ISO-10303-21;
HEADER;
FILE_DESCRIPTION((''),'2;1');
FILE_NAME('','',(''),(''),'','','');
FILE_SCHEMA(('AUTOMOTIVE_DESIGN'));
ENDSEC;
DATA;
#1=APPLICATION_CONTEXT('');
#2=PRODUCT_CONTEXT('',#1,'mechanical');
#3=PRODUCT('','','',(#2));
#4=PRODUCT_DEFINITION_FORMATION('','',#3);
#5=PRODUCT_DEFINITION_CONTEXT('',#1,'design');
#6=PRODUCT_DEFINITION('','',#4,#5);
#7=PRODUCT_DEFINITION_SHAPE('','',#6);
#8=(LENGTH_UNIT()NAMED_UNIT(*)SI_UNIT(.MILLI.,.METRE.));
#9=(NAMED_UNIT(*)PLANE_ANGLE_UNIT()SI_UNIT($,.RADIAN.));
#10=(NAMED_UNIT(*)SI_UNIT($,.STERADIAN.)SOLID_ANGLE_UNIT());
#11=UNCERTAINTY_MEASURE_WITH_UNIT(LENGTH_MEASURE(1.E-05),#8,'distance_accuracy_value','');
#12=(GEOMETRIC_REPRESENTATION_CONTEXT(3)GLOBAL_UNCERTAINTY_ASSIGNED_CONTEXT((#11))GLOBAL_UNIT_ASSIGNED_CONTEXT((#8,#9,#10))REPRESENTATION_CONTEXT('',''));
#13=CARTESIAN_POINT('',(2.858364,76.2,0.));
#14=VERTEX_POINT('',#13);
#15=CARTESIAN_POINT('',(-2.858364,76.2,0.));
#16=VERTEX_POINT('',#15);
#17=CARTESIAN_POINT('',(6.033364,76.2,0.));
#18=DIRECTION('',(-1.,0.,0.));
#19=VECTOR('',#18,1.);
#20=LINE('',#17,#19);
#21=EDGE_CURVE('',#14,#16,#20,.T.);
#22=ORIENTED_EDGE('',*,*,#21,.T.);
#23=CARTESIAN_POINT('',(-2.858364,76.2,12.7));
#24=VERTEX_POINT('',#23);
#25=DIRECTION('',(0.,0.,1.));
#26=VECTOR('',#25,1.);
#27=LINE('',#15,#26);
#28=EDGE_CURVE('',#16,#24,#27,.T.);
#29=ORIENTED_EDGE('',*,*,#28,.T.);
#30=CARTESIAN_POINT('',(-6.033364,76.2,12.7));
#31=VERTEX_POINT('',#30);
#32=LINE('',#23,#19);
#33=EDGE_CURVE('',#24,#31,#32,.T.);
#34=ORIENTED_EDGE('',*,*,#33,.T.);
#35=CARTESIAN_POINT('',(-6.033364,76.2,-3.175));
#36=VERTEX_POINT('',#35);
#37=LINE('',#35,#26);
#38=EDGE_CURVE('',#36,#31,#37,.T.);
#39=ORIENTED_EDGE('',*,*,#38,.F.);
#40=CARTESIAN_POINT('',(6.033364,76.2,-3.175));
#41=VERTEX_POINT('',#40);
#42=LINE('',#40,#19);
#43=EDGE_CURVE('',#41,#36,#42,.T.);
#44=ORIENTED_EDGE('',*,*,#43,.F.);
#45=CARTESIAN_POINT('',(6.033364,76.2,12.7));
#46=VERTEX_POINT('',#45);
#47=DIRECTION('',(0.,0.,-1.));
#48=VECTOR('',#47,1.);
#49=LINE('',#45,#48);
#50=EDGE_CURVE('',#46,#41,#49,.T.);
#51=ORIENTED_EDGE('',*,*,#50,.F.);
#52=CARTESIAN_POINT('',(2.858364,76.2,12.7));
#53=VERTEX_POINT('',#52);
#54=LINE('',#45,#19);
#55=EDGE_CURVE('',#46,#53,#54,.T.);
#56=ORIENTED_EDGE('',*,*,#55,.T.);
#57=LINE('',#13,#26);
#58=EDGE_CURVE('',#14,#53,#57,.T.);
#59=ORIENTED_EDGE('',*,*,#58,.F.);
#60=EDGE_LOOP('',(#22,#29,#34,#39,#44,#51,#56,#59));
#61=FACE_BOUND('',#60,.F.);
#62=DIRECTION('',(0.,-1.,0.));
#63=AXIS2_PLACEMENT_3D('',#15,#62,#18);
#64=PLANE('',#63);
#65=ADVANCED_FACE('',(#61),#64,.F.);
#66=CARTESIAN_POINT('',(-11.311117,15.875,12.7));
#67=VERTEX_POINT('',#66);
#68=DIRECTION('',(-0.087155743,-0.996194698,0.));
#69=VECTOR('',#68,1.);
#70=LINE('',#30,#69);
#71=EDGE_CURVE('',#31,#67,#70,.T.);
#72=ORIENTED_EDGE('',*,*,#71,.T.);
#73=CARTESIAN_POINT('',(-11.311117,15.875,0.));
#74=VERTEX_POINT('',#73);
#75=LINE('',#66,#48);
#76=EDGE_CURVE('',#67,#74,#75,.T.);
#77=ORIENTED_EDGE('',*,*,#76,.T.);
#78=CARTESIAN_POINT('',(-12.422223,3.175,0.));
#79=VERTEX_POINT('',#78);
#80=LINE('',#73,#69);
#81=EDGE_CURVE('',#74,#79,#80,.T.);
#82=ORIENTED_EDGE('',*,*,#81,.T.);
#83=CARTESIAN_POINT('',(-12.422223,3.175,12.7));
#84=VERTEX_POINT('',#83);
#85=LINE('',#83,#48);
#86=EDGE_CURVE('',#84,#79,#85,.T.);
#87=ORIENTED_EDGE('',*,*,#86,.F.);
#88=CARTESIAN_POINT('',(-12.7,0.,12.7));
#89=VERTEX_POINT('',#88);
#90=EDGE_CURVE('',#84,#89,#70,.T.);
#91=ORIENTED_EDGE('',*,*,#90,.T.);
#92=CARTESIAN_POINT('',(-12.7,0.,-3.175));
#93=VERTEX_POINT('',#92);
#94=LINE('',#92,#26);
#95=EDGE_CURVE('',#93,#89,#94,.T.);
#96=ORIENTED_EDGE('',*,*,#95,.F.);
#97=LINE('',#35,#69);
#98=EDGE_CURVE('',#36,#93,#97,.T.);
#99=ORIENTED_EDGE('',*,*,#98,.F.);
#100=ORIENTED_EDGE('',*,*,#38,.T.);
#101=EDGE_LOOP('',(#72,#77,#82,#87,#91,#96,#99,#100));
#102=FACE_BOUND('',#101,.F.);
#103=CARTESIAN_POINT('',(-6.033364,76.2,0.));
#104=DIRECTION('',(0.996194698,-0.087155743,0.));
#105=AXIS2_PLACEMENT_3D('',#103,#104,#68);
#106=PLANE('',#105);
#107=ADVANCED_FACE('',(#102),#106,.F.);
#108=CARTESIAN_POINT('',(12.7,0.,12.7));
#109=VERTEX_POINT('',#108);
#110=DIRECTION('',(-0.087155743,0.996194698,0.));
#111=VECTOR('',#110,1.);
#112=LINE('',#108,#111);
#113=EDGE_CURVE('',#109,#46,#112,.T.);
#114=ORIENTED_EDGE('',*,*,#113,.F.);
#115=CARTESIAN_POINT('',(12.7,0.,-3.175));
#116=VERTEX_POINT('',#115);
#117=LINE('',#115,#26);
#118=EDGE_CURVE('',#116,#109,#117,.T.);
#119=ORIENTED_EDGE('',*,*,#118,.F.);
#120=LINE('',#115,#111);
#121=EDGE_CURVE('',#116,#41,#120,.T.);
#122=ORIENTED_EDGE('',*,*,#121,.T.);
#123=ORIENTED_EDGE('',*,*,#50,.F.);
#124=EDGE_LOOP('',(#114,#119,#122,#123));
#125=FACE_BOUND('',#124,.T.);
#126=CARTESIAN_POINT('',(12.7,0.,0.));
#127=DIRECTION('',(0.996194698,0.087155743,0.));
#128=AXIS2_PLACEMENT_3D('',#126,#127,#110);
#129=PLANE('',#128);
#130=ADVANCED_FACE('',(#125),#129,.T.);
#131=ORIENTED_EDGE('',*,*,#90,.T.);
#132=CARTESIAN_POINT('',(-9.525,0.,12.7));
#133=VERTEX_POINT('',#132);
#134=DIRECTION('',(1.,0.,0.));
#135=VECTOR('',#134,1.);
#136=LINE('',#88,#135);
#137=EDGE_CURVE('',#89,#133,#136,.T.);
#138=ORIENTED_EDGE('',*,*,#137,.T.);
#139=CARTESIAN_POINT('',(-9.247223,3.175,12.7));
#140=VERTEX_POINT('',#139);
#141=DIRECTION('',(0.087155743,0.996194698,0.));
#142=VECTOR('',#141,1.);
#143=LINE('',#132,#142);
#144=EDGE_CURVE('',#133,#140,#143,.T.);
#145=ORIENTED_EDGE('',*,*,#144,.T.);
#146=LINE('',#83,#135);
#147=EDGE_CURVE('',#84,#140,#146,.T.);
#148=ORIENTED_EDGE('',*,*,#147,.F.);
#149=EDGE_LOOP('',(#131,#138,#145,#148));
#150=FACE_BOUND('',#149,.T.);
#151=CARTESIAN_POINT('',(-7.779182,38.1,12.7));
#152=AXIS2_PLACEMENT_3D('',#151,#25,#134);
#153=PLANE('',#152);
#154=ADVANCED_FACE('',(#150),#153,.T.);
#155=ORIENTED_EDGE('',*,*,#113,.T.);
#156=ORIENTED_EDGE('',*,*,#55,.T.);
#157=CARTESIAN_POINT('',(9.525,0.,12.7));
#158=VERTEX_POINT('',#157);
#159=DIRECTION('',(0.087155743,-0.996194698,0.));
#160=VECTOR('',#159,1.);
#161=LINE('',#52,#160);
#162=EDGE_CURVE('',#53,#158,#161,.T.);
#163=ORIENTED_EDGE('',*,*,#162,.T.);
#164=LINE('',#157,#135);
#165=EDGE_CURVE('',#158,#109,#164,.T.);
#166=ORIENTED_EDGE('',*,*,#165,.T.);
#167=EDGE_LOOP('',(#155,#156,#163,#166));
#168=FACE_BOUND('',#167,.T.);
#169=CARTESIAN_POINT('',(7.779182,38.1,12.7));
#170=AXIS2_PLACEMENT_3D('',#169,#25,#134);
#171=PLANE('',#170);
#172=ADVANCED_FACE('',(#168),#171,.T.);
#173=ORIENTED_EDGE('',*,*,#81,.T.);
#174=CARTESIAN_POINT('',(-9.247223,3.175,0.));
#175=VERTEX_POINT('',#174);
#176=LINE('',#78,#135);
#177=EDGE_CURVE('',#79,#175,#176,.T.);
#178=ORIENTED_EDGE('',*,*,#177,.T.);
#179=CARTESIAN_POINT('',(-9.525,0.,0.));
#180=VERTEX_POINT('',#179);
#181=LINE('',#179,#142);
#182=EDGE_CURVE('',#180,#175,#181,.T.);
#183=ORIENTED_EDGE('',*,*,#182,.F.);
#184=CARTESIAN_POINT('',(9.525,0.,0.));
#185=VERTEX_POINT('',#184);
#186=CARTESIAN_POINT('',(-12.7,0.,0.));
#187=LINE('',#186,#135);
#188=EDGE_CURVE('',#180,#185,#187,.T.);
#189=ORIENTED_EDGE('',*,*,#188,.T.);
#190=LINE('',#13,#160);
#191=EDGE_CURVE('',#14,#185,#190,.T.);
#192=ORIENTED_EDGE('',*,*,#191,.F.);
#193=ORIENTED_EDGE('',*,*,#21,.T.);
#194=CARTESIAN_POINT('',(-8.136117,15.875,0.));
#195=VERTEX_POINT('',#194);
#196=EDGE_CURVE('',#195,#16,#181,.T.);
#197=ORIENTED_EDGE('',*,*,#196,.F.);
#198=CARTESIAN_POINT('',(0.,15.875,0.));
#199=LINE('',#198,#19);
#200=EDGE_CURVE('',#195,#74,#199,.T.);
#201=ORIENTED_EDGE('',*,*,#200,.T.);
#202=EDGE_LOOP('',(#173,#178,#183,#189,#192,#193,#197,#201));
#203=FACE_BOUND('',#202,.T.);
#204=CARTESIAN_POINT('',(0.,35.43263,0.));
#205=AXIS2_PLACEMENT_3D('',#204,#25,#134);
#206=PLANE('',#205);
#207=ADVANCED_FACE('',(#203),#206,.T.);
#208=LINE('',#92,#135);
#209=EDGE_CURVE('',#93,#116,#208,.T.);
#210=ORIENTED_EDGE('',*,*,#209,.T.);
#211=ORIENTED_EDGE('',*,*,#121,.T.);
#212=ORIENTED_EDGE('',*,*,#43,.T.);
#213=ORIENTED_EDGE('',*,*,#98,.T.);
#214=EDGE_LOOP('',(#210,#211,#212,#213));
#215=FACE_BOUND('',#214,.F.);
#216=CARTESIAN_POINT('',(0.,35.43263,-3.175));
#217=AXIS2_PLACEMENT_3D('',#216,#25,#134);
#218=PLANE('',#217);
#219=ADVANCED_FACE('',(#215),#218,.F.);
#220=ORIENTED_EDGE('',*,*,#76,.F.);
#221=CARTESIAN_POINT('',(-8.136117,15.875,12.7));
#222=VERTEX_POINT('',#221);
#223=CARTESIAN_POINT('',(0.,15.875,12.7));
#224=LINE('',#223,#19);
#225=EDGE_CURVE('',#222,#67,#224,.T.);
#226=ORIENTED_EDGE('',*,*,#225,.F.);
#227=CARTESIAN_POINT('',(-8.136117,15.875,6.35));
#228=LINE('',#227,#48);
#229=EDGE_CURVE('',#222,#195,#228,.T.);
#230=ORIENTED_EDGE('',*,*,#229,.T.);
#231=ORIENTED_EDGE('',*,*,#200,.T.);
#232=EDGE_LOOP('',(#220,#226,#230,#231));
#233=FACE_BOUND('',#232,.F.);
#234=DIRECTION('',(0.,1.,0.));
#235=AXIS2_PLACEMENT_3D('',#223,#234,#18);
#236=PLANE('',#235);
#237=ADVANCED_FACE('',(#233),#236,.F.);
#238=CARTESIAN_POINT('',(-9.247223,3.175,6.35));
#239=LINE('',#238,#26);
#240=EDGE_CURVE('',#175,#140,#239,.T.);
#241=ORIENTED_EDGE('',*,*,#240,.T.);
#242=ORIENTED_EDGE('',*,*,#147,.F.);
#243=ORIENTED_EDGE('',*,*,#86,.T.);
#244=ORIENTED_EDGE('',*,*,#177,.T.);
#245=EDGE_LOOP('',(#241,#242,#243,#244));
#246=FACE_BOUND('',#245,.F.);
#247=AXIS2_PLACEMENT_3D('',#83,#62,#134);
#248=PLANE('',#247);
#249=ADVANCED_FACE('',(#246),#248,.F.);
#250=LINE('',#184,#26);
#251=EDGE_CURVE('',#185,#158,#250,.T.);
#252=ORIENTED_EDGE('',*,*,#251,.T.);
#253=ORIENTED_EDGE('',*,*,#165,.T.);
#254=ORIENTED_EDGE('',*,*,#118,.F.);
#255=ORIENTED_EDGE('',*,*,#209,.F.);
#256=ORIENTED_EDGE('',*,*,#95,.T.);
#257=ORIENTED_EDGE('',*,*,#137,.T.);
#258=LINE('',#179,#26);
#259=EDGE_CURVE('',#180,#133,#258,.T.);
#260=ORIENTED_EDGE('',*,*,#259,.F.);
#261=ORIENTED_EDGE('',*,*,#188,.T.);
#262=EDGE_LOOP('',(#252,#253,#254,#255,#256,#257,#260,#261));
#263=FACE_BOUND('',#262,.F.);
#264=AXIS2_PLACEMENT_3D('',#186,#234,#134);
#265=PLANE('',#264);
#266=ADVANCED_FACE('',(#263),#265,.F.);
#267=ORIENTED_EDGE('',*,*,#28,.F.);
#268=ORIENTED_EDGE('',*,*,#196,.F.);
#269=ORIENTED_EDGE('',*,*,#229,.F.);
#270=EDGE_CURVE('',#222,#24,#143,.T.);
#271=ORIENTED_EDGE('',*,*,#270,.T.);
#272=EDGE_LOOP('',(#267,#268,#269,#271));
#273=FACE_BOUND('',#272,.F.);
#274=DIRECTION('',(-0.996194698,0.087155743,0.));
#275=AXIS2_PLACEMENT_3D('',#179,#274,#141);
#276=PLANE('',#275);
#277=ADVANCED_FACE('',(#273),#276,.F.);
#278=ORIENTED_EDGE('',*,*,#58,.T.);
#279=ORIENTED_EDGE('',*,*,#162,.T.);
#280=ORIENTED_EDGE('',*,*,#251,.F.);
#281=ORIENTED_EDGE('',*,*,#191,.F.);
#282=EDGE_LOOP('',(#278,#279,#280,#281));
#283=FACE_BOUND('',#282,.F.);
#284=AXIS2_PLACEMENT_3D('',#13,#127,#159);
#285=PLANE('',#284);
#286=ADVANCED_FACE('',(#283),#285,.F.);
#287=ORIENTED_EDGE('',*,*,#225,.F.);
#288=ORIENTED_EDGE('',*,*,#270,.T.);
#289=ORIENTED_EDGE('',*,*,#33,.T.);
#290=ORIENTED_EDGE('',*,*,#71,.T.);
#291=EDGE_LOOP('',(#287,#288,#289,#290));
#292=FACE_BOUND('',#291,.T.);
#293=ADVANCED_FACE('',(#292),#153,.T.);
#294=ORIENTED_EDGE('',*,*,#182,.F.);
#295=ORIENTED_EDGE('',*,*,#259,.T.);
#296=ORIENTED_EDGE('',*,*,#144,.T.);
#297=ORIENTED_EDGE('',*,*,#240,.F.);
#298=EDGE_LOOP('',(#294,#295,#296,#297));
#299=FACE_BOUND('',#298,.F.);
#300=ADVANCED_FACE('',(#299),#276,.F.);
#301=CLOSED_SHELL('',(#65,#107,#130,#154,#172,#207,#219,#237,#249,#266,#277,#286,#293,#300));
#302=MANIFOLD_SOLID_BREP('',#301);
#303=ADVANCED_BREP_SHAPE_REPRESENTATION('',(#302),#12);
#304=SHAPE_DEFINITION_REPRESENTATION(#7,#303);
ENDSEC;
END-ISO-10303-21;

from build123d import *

# Parameters (mm, degrees)
F1_DEPTH = 3.175
F3_DEPTH = 12.7
F5_DEPTH = 12.7


with BuildPart() as f1:
    # F0 (on Top) → F1 (new body)
    with BuildSketch(Plane.XY):
        Polygon((-6.0333638393, 76.2), (-12.7, 0), (12.7, 0), (6.0333638393, 76.2), align=None)
    extrude(amount=-F1_DEPTH)

    # F2 (on face) → F3 (join)
    with BuildSketch(Plane.XY):
        Polygon((-2.8583638393, 76.2), (-6.0333638393, 76.2), (-12.7, 0), (-9.525, 0), align=None)
        Polygon((12.7, 0), (6.0333638393, 76.2), (2.8583638393, 76.2), (9.525, 0), align=None)
    extrude(amount=F3_DEPTH)

    # F4 (on face) → F5 (cut, through all)
    with BuildSketch(Plane.XY.offset(12.7)):
        Polygon((0, 15.875), (-11.3111174665, 15.875), (-12.4222234933, 3.175), (0, 3.175), align=None)
    extrude(amount=-F5_DEPTH, mode=Mode.SUBTRACT)


solid = f1.part
